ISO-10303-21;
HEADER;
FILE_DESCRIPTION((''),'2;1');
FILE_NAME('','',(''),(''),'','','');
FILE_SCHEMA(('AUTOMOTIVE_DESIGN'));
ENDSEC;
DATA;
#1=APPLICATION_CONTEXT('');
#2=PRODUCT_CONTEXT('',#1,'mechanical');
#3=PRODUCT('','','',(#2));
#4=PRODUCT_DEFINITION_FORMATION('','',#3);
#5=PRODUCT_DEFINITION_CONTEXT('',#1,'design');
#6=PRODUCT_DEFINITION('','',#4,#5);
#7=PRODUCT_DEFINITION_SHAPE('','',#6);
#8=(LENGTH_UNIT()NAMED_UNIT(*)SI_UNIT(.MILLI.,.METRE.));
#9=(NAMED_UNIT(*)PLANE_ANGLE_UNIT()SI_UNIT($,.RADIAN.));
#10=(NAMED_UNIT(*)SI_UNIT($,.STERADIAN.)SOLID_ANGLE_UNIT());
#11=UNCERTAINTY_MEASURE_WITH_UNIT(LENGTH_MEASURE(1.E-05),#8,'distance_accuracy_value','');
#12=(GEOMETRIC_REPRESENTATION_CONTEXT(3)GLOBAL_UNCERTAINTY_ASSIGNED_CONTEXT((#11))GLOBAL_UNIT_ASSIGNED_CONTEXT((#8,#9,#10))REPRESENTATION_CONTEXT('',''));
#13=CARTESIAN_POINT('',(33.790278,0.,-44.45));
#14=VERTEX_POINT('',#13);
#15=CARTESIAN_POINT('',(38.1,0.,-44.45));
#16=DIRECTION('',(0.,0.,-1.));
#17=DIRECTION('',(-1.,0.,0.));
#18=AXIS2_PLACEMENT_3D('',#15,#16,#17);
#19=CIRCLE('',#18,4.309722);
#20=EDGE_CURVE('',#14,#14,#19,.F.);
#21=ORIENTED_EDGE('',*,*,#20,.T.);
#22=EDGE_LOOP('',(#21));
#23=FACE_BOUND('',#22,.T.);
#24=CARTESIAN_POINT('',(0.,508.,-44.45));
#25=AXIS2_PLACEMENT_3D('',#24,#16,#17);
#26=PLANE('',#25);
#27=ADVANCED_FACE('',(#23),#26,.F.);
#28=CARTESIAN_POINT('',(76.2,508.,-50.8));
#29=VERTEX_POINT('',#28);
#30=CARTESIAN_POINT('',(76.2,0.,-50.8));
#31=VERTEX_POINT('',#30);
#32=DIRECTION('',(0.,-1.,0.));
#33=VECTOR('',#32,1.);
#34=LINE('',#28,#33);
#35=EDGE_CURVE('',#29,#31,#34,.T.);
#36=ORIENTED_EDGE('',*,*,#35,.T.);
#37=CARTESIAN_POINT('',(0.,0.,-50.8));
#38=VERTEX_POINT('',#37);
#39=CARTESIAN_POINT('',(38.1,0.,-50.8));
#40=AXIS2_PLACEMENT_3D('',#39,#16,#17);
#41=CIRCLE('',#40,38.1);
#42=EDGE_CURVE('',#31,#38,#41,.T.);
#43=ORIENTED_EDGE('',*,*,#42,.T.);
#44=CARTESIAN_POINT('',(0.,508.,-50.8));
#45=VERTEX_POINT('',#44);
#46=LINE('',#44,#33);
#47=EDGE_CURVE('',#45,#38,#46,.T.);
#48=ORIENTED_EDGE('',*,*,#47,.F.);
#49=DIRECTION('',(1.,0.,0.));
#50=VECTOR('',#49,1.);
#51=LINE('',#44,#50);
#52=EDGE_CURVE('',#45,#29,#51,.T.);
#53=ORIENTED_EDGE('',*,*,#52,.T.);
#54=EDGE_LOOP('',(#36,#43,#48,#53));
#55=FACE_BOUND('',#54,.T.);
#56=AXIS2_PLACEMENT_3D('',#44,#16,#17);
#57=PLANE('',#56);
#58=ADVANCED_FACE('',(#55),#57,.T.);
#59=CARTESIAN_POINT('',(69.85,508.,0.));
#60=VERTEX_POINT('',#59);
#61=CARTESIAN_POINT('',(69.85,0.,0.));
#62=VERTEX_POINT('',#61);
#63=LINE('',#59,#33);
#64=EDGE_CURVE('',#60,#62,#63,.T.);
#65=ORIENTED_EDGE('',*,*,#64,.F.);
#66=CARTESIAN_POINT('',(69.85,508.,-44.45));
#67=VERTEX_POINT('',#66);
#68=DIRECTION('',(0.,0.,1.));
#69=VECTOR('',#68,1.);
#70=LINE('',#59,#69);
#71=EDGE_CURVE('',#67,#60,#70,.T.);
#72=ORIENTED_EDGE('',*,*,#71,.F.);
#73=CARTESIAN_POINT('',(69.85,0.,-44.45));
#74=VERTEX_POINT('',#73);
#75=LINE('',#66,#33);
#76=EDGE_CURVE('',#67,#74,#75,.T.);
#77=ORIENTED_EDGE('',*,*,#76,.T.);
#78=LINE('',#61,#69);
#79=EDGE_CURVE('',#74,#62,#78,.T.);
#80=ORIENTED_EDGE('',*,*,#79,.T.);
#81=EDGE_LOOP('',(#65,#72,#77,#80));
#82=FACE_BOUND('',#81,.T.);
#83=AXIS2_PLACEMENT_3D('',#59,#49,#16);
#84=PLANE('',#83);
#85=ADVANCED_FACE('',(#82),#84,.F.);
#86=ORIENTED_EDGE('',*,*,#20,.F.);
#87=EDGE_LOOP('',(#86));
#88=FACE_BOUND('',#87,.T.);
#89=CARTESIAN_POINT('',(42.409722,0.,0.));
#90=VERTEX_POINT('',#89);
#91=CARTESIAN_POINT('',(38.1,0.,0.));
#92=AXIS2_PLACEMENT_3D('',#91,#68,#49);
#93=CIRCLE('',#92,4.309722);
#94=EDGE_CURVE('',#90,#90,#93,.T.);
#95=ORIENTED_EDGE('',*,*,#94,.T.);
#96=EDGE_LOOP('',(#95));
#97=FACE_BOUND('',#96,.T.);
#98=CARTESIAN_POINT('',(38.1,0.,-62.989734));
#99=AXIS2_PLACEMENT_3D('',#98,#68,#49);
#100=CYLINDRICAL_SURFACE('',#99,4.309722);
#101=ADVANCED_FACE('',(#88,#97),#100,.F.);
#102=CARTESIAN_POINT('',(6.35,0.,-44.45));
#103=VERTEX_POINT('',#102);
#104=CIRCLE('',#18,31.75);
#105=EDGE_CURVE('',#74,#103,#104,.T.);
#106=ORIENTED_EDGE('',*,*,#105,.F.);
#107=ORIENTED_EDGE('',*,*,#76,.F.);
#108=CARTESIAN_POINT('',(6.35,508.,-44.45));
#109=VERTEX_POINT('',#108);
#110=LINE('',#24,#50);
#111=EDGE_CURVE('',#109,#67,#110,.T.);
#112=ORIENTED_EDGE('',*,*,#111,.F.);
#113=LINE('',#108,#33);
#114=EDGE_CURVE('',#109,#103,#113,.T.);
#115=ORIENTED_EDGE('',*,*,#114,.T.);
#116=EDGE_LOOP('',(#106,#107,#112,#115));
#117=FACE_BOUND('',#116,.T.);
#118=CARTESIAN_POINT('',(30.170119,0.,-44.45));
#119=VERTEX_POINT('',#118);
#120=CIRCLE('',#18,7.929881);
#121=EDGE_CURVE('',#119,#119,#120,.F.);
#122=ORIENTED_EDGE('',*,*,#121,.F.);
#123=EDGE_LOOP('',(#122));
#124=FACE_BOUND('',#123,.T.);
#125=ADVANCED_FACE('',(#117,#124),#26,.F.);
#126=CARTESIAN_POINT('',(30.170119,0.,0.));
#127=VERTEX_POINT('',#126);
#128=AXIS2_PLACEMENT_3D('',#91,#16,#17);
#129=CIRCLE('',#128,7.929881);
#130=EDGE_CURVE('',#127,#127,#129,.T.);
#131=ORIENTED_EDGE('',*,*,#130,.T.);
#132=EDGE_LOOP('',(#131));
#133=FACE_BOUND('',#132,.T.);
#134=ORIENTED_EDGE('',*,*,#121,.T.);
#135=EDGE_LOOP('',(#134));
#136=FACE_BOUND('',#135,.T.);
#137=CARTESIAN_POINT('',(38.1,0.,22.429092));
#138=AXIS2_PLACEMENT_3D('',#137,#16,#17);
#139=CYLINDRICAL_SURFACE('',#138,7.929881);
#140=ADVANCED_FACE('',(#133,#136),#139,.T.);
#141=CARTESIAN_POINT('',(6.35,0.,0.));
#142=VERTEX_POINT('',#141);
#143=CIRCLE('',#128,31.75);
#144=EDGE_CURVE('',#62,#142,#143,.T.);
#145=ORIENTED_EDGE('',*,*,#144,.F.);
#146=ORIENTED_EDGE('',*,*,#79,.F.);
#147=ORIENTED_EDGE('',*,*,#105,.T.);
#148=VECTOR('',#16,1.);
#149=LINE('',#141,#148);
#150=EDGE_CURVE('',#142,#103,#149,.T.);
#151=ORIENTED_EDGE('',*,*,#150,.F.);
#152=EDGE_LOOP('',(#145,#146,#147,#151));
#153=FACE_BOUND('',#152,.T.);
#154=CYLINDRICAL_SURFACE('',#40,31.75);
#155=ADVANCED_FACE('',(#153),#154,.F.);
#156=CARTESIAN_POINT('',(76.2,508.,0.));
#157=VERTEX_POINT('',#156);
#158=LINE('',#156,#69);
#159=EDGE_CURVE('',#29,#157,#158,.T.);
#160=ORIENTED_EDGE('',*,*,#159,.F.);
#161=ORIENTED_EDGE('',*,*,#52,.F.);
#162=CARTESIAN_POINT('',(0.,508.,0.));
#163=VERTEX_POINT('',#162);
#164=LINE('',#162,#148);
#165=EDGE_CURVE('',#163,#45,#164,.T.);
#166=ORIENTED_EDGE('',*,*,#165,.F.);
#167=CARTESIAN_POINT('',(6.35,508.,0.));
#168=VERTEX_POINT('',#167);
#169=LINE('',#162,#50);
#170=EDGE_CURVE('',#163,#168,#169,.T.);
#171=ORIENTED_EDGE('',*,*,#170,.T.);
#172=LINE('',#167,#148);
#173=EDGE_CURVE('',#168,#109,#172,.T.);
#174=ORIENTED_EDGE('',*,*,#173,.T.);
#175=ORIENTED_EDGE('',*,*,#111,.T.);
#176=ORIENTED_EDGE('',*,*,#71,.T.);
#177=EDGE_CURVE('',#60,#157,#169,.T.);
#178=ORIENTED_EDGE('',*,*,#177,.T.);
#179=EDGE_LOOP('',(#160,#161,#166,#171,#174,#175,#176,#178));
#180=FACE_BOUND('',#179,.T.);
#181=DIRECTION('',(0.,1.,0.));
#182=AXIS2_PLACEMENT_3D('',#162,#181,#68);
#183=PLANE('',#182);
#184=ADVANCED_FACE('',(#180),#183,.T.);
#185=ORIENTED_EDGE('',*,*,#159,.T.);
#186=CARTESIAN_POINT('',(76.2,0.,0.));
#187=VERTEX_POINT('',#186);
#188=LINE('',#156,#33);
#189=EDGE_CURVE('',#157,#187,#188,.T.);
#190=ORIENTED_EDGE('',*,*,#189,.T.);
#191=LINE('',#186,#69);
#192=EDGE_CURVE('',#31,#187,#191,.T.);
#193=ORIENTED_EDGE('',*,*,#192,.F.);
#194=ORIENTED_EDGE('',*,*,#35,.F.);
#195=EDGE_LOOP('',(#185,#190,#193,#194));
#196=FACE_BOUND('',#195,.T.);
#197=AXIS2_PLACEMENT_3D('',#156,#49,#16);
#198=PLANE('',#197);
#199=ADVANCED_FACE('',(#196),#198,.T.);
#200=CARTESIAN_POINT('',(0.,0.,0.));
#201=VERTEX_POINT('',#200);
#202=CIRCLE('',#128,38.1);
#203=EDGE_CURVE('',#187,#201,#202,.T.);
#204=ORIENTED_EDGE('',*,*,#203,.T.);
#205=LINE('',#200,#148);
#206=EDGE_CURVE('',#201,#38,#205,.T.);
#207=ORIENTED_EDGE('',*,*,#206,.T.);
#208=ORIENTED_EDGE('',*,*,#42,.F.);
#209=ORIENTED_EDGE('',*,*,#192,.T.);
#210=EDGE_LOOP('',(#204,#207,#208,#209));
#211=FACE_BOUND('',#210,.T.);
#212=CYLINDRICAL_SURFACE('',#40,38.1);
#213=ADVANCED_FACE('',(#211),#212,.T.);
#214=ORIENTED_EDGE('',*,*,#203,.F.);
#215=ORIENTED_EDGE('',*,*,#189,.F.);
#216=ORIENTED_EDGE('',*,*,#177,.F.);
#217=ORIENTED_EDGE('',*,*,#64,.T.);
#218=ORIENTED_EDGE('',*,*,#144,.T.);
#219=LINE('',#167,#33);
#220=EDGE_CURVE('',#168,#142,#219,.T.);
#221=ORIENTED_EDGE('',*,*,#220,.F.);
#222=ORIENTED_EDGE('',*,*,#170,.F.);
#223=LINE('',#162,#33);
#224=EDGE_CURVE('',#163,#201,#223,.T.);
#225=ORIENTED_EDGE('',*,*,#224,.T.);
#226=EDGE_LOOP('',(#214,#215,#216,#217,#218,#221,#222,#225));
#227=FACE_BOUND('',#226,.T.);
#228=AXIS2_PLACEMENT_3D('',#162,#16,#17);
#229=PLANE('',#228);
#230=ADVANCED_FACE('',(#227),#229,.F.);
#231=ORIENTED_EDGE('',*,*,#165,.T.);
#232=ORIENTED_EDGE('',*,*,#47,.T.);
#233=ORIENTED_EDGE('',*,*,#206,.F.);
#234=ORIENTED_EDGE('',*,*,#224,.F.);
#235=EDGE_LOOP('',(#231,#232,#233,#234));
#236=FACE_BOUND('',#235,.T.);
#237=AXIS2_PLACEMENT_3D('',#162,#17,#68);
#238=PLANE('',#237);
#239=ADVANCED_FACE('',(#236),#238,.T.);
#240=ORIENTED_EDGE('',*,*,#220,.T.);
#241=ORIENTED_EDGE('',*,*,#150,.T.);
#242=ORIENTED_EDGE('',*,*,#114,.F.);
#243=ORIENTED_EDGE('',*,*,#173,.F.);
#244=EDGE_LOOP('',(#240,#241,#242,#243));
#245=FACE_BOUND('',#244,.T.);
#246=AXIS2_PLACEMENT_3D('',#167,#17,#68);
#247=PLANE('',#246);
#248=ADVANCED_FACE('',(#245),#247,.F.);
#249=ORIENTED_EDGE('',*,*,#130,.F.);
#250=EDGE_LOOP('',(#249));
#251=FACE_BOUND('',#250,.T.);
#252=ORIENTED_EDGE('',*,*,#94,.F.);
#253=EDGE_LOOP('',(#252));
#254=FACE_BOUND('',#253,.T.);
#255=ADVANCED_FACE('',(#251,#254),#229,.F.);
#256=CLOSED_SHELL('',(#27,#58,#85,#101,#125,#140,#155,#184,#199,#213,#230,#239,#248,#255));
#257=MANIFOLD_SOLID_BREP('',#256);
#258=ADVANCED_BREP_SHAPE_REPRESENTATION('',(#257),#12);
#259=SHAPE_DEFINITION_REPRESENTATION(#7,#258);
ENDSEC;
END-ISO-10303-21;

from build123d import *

# Parameters (mm, degrees)
SKETCH1_W           = 6.35
SKETCH1_H           = 50.8
SKETCH1_W_2         = 63.5
SKETCH1_H_2         = 6.35
BOSS_EXTRUDE1_DEPTH = 508
SKETCH2_W           = 31.75
SKETCH2_H           = 6.35
REVOLVE2_ANGLE      = 180
SKETCH3_R           = 7.929881475
BOSS_EXTRUDE2_DEPTH = 44.45
SKETCH4_R           = 4.30972172
CUT_EXTRUDE1_DEPTH  = 44.45


with BuildPart() as part:
    # Sketch1 → Boss-Extrude1 (new body)
    with BuildSketch(Plane(origin=(0, 0, 0), x_dir=(1, 0, 0), z_dir=(0, 1, 0))):
        with Locations((3.175, 25.4)):
            Rectangle(SKETCH1_W, SKETCH1_H)
        with Locations((38.1, 47.625)):
            Rectangle(SKETCH1_W_2, SKETCH1_H_2)
        Polygon((69.85, 50.8), (69.85, 44.45), (69.85, 0), (76.2, 0), (76.2, 50.8), align=None)
    extrude(amount=BOSS_EXTRUDE1_DEPTH)

    # Sketch2 → Revolve2 (revolve)
    with BuildSketch(Plane.XZ):
        with Locations((22.225, -47.625)):
            Rectangle(SKETCH2_W, SKETCH2_H)
        Polygon((6.35, 0), (0, 0), (0, -50.8), (6.35, -50.8), (6.35, -44.45), align=None)
    revolve(axis=Axis((38.1, 0, -50.8), (0, 0, 1)), revolution_arc=REVOLVE2_ANGLE)

    # Sketch3 → Boss-Extrude2 (add)
    with BuildSketch(Plane.XY.offset(-44.45)):
        with Locations(Location((38.1, 0, 0), (0, 0, 180))):
            Circle(SKETCH3_R)
    extrude(amount=BOSS_EXTRUDE2_DEPTH)

    # Sketch4 → Cut-Extrude1 (cut)
    with BuildSketch(Plane.XY):
        with Locations((38.1, 0)):
            Circle(SKETCH4_R)
    extrude(amount=-CUT_EXTRUDE1_DEPTH, mode=Mode.SUBTRACT)


solid = part.part
